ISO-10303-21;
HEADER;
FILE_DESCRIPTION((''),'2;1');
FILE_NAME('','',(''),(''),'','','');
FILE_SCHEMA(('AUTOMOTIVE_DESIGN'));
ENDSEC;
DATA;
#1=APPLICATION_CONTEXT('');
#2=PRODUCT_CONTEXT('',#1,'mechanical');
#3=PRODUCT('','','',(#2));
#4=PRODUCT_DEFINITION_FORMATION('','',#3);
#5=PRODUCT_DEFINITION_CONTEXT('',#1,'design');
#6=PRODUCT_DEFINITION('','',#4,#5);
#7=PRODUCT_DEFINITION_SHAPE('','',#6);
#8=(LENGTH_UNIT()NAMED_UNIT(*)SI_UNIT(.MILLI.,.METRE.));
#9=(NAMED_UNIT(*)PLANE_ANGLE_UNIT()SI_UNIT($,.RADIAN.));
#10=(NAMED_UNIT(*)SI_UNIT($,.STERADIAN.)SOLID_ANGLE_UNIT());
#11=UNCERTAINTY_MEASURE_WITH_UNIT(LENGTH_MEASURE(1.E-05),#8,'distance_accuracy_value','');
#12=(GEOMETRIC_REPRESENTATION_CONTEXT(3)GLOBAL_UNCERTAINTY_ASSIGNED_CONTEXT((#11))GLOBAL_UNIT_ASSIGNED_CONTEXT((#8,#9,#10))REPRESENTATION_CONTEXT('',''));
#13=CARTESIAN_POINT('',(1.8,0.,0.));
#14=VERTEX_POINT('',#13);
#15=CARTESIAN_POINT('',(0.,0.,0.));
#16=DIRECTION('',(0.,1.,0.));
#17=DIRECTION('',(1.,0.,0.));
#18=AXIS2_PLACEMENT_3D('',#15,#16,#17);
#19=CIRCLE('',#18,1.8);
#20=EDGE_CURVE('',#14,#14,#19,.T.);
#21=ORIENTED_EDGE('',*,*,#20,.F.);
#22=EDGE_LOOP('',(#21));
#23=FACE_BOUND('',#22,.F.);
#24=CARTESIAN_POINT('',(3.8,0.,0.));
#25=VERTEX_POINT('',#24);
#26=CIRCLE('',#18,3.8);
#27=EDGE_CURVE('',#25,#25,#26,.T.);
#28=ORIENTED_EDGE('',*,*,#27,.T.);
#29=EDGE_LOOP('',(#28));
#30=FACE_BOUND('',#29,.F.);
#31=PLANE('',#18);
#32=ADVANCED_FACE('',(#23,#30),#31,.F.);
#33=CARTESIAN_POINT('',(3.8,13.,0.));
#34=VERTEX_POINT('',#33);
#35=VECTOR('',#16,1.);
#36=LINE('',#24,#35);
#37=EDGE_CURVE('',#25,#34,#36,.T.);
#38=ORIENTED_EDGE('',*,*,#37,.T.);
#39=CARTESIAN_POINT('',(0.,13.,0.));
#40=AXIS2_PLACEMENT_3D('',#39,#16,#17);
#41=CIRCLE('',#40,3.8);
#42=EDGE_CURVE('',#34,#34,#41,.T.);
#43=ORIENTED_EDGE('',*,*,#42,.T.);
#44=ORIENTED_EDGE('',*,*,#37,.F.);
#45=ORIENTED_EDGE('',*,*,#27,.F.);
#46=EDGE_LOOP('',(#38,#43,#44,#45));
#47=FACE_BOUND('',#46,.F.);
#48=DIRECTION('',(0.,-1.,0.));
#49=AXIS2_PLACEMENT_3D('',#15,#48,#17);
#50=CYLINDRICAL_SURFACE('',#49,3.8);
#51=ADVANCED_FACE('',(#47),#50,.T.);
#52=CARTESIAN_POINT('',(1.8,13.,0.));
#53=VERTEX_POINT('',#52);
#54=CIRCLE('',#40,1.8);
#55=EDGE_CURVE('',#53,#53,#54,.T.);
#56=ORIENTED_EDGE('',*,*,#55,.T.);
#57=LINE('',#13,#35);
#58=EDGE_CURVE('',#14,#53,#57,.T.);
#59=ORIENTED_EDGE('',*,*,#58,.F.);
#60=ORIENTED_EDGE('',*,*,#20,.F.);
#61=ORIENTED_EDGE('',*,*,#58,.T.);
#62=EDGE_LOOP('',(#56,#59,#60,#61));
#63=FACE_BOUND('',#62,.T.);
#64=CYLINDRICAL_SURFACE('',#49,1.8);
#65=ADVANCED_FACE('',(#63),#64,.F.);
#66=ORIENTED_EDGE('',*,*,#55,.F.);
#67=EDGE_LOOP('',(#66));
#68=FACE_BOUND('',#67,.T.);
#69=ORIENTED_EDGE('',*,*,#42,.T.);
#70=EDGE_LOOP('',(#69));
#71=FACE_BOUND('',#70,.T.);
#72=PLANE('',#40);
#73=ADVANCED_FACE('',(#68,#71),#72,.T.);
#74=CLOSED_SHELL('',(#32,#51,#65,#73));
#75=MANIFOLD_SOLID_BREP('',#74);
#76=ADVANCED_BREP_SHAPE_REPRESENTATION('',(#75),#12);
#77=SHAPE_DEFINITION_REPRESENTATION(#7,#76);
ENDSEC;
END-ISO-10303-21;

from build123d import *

# Parameters (mm, degrees)
SKETCH1_R           = 3.8
SKETCH1_R_2         = 1.8
BOSS_EXTRUDE1_DEPTH = 13


with BuildPart() as part:
    # Sketch1 → Boss-Extrude1 (new body)
    with BuildSketch(Plane(origin=(0, 0, 0), x_dir=(1, 0, 0), z_dir=(0, 1, 0))):
        Circle(SKETCH1_R)
        Circle(SKETCH1_R_2, mode=Mode.SUBTRACT)
    extrude(amount=BOSS_EXTRUDE1_DEPTH)


solid = part.part
